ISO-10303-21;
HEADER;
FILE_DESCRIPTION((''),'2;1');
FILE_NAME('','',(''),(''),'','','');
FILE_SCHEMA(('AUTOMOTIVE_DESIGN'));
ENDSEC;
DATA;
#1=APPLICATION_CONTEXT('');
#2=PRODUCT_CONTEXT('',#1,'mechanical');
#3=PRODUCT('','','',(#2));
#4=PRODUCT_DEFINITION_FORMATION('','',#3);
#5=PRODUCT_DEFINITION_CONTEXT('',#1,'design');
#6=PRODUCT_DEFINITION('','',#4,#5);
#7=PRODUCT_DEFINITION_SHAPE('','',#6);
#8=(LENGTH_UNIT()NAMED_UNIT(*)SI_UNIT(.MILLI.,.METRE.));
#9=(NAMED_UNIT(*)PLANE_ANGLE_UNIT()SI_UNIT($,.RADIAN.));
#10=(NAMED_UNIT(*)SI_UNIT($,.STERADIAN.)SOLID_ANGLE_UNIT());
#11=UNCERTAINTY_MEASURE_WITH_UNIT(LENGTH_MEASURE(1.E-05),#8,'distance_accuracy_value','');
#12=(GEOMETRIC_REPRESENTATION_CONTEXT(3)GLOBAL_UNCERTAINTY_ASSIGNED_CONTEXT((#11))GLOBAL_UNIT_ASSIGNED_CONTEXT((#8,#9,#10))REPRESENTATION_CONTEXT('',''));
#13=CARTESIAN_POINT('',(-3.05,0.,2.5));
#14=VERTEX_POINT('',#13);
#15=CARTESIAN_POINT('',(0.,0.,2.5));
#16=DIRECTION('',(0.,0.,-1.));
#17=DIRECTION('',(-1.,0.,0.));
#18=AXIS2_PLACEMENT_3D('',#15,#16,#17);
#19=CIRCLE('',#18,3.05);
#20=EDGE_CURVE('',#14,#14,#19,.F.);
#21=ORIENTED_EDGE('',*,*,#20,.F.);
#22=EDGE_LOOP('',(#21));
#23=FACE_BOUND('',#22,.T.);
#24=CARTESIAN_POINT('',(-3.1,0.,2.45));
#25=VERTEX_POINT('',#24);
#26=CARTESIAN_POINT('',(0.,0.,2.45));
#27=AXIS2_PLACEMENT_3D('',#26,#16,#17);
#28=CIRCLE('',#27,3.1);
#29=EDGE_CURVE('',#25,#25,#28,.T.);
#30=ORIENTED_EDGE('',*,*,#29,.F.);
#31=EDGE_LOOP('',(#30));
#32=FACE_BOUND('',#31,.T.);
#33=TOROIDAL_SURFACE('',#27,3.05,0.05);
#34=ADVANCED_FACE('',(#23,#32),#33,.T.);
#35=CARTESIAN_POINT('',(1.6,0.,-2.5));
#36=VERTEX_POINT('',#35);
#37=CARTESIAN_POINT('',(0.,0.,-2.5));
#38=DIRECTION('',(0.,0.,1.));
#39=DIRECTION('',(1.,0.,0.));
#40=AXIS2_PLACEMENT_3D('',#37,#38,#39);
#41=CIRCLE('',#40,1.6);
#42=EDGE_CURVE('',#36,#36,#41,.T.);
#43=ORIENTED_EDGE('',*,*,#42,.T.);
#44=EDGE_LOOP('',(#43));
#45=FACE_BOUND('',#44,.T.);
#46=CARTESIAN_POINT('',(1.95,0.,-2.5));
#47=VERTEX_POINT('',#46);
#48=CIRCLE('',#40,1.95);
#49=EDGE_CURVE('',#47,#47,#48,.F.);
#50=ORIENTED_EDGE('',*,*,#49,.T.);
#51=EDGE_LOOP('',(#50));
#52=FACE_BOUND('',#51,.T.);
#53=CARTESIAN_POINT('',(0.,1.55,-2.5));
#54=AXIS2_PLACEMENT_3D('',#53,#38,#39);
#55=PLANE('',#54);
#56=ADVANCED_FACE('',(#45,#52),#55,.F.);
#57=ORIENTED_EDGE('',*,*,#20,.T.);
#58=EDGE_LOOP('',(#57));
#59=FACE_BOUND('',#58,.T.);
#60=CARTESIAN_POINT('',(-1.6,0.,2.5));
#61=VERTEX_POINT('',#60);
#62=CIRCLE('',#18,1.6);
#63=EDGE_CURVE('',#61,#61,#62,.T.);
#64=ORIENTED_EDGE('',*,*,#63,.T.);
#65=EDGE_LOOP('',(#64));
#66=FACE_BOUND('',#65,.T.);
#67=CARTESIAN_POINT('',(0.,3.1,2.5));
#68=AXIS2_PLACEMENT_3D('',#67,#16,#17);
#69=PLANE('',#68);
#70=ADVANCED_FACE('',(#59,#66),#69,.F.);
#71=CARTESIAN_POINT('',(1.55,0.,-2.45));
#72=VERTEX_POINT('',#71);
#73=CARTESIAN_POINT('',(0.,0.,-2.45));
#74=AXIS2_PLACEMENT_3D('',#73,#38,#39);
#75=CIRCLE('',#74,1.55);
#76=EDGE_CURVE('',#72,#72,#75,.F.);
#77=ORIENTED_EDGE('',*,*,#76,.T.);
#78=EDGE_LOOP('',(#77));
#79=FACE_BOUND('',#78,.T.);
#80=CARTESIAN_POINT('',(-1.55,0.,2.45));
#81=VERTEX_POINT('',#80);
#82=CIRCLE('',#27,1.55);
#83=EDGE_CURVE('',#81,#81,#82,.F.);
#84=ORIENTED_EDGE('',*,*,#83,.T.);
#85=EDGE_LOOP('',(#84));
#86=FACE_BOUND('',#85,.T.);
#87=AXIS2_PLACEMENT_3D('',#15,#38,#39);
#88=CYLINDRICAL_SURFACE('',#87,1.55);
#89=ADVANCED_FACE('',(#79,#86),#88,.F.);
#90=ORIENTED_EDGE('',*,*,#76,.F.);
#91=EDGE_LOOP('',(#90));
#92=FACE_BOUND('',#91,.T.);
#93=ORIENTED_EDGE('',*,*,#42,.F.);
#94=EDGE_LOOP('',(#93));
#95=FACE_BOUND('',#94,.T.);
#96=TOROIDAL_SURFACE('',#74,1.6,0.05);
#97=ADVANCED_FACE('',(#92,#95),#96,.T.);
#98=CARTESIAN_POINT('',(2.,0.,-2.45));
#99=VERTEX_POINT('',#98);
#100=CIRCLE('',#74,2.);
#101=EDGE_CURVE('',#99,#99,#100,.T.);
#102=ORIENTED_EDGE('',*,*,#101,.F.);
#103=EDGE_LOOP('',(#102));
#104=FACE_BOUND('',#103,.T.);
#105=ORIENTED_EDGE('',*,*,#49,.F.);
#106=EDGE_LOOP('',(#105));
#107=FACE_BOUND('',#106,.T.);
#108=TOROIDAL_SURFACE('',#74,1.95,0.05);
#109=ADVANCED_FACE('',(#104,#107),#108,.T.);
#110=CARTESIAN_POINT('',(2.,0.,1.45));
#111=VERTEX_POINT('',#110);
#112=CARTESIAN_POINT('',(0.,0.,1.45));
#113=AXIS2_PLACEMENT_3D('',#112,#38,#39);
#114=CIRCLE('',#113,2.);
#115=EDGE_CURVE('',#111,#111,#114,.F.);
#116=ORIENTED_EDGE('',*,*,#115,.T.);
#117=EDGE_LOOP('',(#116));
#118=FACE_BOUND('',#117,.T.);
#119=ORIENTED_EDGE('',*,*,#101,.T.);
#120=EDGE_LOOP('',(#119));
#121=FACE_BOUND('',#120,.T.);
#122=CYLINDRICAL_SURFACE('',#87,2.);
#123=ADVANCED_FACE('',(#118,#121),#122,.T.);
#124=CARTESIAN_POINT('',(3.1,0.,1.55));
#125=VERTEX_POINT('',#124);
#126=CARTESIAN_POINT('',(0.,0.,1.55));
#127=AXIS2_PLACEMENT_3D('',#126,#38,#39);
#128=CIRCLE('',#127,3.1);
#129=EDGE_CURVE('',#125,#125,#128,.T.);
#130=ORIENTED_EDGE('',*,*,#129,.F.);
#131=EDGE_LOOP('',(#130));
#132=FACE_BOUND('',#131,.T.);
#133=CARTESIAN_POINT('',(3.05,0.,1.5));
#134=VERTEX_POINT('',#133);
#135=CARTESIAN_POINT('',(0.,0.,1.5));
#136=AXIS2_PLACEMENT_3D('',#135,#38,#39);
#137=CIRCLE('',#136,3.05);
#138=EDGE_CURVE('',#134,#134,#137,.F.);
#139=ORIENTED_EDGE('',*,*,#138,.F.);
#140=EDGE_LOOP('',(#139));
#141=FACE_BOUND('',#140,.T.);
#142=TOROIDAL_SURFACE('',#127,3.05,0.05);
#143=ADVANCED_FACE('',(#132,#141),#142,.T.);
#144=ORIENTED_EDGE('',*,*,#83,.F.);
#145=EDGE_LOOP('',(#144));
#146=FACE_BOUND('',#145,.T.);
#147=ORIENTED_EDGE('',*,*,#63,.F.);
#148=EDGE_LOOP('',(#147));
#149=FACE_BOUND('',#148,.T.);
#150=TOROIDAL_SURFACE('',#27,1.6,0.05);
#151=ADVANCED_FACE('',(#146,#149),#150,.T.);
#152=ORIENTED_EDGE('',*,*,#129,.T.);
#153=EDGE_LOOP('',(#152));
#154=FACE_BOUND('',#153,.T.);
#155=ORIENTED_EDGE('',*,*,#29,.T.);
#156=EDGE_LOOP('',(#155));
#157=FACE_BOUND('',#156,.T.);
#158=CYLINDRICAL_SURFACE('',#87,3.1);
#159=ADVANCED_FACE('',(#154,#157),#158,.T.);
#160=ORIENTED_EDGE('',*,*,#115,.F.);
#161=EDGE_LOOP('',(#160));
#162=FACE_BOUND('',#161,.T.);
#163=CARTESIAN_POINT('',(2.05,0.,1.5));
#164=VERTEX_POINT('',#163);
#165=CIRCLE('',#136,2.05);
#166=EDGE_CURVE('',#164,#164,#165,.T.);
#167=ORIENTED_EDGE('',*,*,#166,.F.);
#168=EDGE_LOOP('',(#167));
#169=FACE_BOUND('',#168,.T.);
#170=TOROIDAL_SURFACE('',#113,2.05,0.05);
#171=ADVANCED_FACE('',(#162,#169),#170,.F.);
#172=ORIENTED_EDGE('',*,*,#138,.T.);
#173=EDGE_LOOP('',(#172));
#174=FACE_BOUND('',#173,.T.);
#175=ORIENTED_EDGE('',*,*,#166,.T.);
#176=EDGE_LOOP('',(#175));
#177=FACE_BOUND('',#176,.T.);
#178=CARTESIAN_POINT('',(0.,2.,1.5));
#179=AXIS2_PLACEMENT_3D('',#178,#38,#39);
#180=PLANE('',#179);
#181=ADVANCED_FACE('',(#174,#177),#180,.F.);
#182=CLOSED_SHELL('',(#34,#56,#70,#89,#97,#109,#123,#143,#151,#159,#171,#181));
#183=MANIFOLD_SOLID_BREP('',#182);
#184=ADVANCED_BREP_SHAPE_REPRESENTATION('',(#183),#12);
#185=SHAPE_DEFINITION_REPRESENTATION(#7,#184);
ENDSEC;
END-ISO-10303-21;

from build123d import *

# Parameters (mm, degrees)
FILLET1_R = 0.05


with BuildPart() as part:
    # Sketch2 → Revolve1 (revolve)
    with BuildSketch(Plane(origin=(0, 0, 0), x_dir=(0, 0, -1), z_dir=(1, 0, 0))):
        Polygon((-2.5, 1.55), (2.5, 1.55), (2.5, 2), (-1.5, 2), (-1.5, 3.1), (-2.5, 3.1), align=None)
    revolve(axis=Axis((0, 0, 2.5), (0, 0, -1)))

    # Fillet1
    fillet1_edges = [part.edges().sort_by_distance(p)[0] for p in [
        (0, -3.1, 2.5),
        (0, -3.1, 1.5),
        (0, -2, 1.5),
        (0, -2, -2.5),
        (0, -1.55, -2.5),
        (0, -1.55, 2.5),
    ]]
    fillet(fillet1_edges, radius=FILLET1_R)


solid = part.part
